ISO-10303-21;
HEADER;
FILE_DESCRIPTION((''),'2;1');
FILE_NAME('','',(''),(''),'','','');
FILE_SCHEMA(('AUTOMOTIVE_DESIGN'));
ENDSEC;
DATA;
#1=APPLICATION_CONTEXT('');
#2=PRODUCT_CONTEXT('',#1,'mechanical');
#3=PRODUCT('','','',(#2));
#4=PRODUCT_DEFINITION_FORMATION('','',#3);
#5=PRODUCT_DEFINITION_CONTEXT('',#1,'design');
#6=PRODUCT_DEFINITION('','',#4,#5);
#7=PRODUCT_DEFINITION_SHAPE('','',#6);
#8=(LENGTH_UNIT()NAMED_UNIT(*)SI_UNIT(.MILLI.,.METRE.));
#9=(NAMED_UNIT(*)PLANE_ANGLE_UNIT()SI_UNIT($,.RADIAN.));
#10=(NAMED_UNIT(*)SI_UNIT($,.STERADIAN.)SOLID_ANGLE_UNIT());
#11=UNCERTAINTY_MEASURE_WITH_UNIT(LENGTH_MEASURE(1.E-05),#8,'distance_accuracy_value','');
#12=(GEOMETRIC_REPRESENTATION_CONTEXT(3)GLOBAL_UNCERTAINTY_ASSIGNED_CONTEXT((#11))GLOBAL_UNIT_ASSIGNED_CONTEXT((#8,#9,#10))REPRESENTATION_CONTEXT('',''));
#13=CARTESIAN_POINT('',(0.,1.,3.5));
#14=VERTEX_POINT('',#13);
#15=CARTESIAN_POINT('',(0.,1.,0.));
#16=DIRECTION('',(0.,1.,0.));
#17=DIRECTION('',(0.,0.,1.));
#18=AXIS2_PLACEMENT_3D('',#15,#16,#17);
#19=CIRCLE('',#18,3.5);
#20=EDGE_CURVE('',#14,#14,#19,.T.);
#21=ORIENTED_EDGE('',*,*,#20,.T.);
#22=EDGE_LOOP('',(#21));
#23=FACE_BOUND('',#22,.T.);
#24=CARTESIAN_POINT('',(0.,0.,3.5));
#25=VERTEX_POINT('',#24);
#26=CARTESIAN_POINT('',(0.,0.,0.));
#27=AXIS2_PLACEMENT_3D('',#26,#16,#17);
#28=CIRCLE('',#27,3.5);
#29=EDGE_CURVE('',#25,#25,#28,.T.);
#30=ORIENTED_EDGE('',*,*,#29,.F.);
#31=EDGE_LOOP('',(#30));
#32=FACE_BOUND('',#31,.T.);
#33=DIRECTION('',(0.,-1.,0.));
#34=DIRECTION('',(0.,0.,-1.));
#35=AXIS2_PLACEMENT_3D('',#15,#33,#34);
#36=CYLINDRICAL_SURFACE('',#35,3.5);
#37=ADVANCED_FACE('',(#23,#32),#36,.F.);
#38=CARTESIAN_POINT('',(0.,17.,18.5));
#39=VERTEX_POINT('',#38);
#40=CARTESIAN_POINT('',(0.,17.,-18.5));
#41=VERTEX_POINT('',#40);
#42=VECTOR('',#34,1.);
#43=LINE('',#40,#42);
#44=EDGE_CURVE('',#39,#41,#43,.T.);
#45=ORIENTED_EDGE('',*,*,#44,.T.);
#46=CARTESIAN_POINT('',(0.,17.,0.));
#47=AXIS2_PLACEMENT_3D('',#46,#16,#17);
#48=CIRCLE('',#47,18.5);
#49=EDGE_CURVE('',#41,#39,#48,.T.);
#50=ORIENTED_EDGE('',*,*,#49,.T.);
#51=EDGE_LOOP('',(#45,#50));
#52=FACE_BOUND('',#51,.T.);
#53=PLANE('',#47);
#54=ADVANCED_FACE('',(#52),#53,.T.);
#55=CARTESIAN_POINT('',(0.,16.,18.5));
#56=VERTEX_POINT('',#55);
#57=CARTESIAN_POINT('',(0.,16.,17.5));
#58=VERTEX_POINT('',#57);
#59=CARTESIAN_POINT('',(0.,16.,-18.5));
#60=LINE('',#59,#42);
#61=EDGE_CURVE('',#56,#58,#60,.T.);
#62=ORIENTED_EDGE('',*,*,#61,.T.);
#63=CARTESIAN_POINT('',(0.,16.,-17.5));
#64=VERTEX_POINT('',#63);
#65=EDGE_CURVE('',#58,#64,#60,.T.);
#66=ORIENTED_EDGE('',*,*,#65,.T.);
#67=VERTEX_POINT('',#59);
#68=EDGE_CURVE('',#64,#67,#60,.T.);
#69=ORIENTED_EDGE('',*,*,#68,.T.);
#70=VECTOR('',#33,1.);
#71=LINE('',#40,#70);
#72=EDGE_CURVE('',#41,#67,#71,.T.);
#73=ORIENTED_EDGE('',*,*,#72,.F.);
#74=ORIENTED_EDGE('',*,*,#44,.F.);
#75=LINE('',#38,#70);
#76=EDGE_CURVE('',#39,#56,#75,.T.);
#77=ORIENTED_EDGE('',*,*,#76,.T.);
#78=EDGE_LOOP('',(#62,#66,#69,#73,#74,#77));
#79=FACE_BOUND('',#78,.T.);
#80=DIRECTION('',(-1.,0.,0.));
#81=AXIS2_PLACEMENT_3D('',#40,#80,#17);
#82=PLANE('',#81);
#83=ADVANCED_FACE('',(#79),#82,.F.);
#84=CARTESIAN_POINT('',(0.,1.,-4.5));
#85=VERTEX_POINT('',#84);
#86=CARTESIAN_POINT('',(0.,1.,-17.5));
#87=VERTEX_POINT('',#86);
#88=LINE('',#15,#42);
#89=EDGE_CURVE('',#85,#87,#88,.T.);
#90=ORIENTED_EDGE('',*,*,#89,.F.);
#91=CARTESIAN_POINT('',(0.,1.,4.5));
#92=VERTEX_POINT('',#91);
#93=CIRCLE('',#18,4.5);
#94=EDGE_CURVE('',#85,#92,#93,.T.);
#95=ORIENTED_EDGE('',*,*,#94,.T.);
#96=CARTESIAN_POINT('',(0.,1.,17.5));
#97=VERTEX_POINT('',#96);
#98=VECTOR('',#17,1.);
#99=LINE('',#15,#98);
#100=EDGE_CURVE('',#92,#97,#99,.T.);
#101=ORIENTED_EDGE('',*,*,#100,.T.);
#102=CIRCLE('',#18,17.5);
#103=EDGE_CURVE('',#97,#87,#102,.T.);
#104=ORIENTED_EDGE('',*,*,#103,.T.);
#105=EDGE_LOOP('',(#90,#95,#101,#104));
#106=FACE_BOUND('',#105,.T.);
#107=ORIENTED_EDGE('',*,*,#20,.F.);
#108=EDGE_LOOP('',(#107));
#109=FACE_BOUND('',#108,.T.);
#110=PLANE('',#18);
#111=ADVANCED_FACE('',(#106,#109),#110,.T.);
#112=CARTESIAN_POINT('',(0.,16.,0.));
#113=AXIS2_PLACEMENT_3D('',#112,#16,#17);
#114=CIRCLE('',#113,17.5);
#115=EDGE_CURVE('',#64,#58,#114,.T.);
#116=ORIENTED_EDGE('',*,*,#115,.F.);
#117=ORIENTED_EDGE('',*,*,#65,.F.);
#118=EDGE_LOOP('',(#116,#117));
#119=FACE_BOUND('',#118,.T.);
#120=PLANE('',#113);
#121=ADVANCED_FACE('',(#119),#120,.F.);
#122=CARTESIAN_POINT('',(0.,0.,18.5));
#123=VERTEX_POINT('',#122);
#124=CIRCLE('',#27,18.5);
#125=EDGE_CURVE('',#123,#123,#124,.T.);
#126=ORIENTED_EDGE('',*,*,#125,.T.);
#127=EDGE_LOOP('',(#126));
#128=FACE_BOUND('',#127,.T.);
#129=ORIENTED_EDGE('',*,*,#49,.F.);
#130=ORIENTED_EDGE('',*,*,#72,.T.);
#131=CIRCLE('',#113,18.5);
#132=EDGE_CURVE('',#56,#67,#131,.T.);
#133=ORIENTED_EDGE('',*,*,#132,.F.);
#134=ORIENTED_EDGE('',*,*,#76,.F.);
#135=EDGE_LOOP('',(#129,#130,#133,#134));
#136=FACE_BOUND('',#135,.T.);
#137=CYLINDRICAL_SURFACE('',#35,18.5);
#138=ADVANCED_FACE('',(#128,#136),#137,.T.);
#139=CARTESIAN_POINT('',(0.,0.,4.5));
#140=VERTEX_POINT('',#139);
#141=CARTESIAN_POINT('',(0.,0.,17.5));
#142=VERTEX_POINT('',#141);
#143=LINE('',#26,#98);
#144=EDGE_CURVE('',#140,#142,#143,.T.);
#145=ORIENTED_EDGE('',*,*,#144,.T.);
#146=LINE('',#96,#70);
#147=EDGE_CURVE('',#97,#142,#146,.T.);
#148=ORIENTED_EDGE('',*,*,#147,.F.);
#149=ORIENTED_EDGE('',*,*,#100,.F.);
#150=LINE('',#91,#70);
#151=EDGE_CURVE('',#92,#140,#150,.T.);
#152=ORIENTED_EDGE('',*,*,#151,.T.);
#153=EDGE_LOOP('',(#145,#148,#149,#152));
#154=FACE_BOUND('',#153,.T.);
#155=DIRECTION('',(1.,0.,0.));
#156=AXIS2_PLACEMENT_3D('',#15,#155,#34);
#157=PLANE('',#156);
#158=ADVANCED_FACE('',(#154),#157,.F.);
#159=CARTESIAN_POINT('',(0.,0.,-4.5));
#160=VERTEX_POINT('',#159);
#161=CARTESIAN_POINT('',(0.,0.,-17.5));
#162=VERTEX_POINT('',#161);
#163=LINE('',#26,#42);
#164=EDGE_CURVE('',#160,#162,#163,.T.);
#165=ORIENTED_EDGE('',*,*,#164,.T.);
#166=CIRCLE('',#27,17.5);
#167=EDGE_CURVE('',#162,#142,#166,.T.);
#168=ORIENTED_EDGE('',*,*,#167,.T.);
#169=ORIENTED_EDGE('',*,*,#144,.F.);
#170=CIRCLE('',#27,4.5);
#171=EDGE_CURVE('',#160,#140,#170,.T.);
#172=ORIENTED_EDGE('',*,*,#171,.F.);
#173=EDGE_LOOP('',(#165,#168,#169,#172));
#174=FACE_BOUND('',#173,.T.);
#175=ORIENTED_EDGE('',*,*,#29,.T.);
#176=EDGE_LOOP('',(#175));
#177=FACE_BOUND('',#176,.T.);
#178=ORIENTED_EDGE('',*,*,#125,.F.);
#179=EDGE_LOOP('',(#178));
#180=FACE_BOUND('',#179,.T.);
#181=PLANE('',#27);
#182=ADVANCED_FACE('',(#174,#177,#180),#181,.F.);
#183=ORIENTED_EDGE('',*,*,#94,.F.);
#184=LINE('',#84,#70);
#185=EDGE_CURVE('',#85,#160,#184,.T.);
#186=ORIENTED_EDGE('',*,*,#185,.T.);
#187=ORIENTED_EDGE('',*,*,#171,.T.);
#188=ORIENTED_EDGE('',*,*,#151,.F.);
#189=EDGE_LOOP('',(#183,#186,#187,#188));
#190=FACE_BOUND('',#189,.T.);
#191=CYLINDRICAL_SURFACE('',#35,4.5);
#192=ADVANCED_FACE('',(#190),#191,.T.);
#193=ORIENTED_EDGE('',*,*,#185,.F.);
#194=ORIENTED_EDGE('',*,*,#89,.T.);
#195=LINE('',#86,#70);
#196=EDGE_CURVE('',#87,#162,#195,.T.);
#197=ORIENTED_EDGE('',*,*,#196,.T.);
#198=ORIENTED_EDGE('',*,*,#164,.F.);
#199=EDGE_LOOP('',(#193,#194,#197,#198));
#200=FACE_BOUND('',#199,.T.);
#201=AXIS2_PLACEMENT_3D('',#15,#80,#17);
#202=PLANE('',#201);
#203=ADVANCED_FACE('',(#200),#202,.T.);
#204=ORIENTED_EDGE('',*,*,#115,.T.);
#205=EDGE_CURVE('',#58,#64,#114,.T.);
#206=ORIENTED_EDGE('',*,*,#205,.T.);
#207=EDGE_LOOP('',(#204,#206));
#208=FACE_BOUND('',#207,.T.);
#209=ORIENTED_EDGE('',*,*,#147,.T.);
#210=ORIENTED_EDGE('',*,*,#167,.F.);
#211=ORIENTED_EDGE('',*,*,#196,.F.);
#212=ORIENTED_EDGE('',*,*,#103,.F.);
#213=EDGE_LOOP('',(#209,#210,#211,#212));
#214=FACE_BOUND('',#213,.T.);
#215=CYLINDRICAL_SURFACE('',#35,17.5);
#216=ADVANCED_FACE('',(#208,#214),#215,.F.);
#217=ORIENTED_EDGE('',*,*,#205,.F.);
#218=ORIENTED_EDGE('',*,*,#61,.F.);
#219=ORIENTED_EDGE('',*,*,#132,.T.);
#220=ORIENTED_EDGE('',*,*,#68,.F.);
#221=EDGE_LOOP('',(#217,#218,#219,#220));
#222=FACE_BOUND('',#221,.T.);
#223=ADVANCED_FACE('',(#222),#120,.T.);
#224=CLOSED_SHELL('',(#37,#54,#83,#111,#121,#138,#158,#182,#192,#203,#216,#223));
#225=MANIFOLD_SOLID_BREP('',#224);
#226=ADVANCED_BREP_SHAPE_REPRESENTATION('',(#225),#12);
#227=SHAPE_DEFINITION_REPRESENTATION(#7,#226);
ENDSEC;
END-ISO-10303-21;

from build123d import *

# Parameters (mm, degrees)
SKETCH1_R           = 18.5
SKETCH1_R_2         = 17.5
SKETCH1_R_3         = 4.5
SKETCH1_R_4         = 3.5
BOSS_EXTRUDE1_DEPTH = 1
SKETCH2_R           = 18.5
SKETCH2_R_2         = 17.5
BOSS_EXTRUDE2_DEPTH = 15
BOSS_EXTRUDE3_DEPTH = 1


with BuildPart() as part:
    # Sketch1 → Boss-Extrude1 (new body)
    with BuildSketch(Plane(origin=(0, 0, 0), x_dir=(1, 0, 0), z_dir=(0, 1, 0))):
        with Locations(Location((0, 0, 0), (0, 0, 270))):
            Circle(SKETCH1_R)
        Circle(SKETCH1_R_2, mode=Mode.SUBTRACT)
        Circle(SKETCH1_R_3)
        with Locations(Location((0, 0, 0), (0, 0, 270))):
            Circle(SKETCH1_R_4, mode=Mode.SUBTRACT)
        with BuildLine():
            Line((0, 17.5), (0, 4.5))
            ThreePointArc((0, 4.5), (3.181980515, 3.181980515), (4.5, 0))
            ThreePointArc((4.5, 0), (3.181980515, -3.181980515), (0, -4.5))
            Line((0, -4.5), (0, -17.5))
            ThreePointArc((0, -17.5), (12.374368671, -12.374368671), (17.5, 0))
            ThreePointArc((17.5, 0), (12.374368671, 12.374368671), (0, 17.5))
        make_face()
    extrude(amount=BOSS_EXTRUDE1_DEPTH)

    # Sketch2 → Boss-Extrude2 (add)
    with BuildSketch(Plane(origin=(0, 1, 0), x_dir=(1, 0, 0), z_dir=(0, 1, 0))):
        with Locations(Location((0, 0, 0), (0, 0, 270))):
            Circle(SKETCH2_R)
        with Locations(Location((0, 0, 0), (0, 0, 270))):
            Circle(SKETCH2_R_2, mode=Mode.SUBTRACT)
    extrude(amount=BOSS_EXTRUDE2_DEPTH)

    # Sketch3 → Boss-Extrude3 (add)
    with BuildSketch(Plane(origin=(0, 16, 0), x_dir=(1, 0, 0), z_dir=(0, 1, 0))):
        with BuildLine():
            Line((0, 18.5), (0, -18.5))
            ThreePointArc((0, -18.5), (-18.5, 0), (0, 18.5))
        make_face()
    extrude(amount=BOSS_EXTRUDE3_DEPTH)


solid = part.part
